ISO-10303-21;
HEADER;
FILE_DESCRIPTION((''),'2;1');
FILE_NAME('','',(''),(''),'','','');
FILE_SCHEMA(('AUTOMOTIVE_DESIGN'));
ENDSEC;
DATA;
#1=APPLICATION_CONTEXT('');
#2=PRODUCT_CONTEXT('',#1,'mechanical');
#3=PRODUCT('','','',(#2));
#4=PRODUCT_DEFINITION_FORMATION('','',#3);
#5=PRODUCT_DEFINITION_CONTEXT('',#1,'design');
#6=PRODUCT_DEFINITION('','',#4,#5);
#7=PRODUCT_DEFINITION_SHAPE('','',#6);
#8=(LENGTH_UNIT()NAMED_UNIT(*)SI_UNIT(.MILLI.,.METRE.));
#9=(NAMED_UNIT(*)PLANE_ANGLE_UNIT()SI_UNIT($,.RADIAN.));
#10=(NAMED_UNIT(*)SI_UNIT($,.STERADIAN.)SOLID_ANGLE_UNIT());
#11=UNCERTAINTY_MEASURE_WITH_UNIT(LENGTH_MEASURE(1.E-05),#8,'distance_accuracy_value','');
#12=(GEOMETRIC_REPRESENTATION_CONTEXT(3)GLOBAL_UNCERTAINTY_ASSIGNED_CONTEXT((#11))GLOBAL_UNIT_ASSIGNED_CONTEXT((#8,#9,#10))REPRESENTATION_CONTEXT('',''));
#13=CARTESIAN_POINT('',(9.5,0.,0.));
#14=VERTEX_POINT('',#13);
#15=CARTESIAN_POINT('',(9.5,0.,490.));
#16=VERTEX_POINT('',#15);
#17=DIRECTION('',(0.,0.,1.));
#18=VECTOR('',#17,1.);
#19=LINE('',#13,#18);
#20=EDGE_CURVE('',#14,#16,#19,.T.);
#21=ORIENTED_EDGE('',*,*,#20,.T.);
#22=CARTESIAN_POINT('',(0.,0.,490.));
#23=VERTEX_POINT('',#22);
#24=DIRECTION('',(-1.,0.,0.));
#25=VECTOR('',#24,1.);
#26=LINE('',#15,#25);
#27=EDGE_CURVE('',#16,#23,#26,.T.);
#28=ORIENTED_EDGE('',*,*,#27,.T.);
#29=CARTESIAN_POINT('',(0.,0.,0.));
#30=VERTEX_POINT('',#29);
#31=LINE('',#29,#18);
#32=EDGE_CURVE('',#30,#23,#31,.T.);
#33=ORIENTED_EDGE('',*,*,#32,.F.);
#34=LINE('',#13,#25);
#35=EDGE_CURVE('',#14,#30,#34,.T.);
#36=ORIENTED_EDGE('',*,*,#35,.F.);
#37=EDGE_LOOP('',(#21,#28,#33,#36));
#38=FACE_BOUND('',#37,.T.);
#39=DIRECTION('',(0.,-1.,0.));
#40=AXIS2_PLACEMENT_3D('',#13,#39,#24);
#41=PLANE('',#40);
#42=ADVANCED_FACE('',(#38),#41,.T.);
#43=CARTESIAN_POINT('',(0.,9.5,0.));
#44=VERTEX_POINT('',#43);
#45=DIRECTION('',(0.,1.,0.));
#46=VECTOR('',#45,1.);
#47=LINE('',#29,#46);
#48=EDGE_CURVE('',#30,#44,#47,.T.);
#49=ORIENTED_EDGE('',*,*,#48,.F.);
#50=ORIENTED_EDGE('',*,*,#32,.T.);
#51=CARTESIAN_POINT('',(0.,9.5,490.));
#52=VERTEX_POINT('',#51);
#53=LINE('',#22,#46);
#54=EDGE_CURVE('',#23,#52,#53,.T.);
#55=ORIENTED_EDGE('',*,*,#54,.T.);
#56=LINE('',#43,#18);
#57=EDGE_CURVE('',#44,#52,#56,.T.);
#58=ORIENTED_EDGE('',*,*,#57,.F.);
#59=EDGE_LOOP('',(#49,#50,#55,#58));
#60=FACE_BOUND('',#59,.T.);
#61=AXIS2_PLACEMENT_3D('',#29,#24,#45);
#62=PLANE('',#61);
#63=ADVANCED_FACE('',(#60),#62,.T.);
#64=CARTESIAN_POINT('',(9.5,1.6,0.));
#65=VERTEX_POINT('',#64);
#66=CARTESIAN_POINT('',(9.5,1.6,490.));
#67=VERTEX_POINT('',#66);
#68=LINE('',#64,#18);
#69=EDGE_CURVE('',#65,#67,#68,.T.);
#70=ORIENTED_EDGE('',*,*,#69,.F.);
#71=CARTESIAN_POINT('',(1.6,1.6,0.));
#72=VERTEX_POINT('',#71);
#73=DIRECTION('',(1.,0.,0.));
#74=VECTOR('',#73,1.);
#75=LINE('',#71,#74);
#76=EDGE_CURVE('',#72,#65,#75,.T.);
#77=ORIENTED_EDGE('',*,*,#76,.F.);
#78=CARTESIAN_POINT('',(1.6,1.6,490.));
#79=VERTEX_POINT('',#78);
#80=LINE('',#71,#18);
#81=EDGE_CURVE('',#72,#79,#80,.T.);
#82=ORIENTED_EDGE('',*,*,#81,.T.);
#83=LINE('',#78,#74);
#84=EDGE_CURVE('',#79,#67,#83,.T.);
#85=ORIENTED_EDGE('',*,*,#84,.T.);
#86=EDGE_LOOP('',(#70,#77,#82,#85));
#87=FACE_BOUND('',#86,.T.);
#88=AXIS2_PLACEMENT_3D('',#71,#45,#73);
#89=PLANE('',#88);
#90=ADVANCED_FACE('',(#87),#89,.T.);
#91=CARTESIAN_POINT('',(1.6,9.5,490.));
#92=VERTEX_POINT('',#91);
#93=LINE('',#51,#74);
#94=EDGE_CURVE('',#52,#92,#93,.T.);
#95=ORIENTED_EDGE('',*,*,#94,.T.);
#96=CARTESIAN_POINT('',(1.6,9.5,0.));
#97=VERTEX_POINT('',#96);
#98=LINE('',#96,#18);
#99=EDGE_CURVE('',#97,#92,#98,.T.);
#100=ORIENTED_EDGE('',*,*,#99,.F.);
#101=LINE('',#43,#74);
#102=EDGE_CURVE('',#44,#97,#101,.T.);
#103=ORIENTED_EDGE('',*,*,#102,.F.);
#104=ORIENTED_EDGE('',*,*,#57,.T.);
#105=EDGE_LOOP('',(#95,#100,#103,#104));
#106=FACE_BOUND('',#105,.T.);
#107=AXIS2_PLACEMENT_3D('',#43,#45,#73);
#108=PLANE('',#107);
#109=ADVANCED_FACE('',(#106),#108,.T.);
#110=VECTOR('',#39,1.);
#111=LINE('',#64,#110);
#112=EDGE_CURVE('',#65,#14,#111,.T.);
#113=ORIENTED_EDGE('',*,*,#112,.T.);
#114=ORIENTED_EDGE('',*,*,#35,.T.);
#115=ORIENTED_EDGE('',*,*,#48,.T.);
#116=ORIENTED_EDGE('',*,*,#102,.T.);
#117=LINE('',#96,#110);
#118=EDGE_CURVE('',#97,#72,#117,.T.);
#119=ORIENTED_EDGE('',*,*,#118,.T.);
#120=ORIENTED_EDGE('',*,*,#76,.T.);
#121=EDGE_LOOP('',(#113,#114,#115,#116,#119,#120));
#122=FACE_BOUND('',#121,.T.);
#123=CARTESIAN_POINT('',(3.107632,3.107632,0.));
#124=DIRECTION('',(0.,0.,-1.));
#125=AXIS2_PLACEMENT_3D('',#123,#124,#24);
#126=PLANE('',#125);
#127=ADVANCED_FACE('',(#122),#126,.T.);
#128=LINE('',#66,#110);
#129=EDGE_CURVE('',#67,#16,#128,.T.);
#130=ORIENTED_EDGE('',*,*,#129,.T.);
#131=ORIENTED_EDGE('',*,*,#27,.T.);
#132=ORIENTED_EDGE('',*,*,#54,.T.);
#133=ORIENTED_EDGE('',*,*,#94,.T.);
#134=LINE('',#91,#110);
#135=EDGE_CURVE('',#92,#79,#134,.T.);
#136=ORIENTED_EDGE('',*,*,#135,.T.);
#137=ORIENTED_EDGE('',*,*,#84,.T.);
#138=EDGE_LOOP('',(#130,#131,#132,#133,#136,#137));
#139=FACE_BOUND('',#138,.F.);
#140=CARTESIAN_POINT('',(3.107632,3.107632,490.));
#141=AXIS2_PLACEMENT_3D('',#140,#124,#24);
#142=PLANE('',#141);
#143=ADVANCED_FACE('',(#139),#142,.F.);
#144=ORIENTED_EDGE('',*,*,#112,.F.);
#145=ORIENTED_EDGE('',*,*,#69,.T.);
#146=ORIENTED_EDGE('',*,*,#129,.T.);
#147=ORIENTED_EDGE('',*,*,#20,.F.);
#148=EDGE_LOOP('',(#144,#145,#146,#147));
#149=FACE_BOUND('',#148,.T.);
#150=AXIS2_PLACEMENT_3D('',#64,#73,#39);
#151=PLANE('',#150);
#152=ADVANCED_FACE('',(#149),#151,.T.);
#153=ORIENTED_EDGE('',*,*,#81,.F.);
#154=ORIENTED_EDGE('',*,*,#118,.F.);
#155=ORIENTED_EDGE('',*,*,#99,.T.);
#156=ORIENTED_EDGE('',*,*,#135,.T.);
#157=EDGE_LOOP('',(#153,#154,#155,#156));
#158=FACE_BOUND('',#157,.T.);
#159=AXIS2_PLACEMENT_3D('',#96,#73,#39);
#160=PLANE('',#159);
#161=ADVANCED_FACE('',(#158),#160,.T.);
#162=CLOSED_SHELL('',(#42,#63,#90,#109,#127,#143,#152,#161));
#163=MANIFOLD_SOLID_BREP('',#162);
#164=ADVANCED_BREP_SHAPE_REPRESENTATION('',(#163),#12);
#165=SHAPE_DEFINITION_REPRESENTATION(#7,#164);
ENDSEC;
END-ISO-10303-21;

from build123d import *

# Parameters (mm, degrees)
PAD_DEPTH = 490


with BuildPart() as part:
    # Sketch → Pad (new body)
    with BuildSketch(Plane.XY):
        Polygon((0, 0), (0, 9.5), (1.6, 9.5), (1.6, 1.6), (9.5, 1.6), (9.5, 0), align=None)
    extrude(amount=PAD_DEPTH)


solid = part.part
